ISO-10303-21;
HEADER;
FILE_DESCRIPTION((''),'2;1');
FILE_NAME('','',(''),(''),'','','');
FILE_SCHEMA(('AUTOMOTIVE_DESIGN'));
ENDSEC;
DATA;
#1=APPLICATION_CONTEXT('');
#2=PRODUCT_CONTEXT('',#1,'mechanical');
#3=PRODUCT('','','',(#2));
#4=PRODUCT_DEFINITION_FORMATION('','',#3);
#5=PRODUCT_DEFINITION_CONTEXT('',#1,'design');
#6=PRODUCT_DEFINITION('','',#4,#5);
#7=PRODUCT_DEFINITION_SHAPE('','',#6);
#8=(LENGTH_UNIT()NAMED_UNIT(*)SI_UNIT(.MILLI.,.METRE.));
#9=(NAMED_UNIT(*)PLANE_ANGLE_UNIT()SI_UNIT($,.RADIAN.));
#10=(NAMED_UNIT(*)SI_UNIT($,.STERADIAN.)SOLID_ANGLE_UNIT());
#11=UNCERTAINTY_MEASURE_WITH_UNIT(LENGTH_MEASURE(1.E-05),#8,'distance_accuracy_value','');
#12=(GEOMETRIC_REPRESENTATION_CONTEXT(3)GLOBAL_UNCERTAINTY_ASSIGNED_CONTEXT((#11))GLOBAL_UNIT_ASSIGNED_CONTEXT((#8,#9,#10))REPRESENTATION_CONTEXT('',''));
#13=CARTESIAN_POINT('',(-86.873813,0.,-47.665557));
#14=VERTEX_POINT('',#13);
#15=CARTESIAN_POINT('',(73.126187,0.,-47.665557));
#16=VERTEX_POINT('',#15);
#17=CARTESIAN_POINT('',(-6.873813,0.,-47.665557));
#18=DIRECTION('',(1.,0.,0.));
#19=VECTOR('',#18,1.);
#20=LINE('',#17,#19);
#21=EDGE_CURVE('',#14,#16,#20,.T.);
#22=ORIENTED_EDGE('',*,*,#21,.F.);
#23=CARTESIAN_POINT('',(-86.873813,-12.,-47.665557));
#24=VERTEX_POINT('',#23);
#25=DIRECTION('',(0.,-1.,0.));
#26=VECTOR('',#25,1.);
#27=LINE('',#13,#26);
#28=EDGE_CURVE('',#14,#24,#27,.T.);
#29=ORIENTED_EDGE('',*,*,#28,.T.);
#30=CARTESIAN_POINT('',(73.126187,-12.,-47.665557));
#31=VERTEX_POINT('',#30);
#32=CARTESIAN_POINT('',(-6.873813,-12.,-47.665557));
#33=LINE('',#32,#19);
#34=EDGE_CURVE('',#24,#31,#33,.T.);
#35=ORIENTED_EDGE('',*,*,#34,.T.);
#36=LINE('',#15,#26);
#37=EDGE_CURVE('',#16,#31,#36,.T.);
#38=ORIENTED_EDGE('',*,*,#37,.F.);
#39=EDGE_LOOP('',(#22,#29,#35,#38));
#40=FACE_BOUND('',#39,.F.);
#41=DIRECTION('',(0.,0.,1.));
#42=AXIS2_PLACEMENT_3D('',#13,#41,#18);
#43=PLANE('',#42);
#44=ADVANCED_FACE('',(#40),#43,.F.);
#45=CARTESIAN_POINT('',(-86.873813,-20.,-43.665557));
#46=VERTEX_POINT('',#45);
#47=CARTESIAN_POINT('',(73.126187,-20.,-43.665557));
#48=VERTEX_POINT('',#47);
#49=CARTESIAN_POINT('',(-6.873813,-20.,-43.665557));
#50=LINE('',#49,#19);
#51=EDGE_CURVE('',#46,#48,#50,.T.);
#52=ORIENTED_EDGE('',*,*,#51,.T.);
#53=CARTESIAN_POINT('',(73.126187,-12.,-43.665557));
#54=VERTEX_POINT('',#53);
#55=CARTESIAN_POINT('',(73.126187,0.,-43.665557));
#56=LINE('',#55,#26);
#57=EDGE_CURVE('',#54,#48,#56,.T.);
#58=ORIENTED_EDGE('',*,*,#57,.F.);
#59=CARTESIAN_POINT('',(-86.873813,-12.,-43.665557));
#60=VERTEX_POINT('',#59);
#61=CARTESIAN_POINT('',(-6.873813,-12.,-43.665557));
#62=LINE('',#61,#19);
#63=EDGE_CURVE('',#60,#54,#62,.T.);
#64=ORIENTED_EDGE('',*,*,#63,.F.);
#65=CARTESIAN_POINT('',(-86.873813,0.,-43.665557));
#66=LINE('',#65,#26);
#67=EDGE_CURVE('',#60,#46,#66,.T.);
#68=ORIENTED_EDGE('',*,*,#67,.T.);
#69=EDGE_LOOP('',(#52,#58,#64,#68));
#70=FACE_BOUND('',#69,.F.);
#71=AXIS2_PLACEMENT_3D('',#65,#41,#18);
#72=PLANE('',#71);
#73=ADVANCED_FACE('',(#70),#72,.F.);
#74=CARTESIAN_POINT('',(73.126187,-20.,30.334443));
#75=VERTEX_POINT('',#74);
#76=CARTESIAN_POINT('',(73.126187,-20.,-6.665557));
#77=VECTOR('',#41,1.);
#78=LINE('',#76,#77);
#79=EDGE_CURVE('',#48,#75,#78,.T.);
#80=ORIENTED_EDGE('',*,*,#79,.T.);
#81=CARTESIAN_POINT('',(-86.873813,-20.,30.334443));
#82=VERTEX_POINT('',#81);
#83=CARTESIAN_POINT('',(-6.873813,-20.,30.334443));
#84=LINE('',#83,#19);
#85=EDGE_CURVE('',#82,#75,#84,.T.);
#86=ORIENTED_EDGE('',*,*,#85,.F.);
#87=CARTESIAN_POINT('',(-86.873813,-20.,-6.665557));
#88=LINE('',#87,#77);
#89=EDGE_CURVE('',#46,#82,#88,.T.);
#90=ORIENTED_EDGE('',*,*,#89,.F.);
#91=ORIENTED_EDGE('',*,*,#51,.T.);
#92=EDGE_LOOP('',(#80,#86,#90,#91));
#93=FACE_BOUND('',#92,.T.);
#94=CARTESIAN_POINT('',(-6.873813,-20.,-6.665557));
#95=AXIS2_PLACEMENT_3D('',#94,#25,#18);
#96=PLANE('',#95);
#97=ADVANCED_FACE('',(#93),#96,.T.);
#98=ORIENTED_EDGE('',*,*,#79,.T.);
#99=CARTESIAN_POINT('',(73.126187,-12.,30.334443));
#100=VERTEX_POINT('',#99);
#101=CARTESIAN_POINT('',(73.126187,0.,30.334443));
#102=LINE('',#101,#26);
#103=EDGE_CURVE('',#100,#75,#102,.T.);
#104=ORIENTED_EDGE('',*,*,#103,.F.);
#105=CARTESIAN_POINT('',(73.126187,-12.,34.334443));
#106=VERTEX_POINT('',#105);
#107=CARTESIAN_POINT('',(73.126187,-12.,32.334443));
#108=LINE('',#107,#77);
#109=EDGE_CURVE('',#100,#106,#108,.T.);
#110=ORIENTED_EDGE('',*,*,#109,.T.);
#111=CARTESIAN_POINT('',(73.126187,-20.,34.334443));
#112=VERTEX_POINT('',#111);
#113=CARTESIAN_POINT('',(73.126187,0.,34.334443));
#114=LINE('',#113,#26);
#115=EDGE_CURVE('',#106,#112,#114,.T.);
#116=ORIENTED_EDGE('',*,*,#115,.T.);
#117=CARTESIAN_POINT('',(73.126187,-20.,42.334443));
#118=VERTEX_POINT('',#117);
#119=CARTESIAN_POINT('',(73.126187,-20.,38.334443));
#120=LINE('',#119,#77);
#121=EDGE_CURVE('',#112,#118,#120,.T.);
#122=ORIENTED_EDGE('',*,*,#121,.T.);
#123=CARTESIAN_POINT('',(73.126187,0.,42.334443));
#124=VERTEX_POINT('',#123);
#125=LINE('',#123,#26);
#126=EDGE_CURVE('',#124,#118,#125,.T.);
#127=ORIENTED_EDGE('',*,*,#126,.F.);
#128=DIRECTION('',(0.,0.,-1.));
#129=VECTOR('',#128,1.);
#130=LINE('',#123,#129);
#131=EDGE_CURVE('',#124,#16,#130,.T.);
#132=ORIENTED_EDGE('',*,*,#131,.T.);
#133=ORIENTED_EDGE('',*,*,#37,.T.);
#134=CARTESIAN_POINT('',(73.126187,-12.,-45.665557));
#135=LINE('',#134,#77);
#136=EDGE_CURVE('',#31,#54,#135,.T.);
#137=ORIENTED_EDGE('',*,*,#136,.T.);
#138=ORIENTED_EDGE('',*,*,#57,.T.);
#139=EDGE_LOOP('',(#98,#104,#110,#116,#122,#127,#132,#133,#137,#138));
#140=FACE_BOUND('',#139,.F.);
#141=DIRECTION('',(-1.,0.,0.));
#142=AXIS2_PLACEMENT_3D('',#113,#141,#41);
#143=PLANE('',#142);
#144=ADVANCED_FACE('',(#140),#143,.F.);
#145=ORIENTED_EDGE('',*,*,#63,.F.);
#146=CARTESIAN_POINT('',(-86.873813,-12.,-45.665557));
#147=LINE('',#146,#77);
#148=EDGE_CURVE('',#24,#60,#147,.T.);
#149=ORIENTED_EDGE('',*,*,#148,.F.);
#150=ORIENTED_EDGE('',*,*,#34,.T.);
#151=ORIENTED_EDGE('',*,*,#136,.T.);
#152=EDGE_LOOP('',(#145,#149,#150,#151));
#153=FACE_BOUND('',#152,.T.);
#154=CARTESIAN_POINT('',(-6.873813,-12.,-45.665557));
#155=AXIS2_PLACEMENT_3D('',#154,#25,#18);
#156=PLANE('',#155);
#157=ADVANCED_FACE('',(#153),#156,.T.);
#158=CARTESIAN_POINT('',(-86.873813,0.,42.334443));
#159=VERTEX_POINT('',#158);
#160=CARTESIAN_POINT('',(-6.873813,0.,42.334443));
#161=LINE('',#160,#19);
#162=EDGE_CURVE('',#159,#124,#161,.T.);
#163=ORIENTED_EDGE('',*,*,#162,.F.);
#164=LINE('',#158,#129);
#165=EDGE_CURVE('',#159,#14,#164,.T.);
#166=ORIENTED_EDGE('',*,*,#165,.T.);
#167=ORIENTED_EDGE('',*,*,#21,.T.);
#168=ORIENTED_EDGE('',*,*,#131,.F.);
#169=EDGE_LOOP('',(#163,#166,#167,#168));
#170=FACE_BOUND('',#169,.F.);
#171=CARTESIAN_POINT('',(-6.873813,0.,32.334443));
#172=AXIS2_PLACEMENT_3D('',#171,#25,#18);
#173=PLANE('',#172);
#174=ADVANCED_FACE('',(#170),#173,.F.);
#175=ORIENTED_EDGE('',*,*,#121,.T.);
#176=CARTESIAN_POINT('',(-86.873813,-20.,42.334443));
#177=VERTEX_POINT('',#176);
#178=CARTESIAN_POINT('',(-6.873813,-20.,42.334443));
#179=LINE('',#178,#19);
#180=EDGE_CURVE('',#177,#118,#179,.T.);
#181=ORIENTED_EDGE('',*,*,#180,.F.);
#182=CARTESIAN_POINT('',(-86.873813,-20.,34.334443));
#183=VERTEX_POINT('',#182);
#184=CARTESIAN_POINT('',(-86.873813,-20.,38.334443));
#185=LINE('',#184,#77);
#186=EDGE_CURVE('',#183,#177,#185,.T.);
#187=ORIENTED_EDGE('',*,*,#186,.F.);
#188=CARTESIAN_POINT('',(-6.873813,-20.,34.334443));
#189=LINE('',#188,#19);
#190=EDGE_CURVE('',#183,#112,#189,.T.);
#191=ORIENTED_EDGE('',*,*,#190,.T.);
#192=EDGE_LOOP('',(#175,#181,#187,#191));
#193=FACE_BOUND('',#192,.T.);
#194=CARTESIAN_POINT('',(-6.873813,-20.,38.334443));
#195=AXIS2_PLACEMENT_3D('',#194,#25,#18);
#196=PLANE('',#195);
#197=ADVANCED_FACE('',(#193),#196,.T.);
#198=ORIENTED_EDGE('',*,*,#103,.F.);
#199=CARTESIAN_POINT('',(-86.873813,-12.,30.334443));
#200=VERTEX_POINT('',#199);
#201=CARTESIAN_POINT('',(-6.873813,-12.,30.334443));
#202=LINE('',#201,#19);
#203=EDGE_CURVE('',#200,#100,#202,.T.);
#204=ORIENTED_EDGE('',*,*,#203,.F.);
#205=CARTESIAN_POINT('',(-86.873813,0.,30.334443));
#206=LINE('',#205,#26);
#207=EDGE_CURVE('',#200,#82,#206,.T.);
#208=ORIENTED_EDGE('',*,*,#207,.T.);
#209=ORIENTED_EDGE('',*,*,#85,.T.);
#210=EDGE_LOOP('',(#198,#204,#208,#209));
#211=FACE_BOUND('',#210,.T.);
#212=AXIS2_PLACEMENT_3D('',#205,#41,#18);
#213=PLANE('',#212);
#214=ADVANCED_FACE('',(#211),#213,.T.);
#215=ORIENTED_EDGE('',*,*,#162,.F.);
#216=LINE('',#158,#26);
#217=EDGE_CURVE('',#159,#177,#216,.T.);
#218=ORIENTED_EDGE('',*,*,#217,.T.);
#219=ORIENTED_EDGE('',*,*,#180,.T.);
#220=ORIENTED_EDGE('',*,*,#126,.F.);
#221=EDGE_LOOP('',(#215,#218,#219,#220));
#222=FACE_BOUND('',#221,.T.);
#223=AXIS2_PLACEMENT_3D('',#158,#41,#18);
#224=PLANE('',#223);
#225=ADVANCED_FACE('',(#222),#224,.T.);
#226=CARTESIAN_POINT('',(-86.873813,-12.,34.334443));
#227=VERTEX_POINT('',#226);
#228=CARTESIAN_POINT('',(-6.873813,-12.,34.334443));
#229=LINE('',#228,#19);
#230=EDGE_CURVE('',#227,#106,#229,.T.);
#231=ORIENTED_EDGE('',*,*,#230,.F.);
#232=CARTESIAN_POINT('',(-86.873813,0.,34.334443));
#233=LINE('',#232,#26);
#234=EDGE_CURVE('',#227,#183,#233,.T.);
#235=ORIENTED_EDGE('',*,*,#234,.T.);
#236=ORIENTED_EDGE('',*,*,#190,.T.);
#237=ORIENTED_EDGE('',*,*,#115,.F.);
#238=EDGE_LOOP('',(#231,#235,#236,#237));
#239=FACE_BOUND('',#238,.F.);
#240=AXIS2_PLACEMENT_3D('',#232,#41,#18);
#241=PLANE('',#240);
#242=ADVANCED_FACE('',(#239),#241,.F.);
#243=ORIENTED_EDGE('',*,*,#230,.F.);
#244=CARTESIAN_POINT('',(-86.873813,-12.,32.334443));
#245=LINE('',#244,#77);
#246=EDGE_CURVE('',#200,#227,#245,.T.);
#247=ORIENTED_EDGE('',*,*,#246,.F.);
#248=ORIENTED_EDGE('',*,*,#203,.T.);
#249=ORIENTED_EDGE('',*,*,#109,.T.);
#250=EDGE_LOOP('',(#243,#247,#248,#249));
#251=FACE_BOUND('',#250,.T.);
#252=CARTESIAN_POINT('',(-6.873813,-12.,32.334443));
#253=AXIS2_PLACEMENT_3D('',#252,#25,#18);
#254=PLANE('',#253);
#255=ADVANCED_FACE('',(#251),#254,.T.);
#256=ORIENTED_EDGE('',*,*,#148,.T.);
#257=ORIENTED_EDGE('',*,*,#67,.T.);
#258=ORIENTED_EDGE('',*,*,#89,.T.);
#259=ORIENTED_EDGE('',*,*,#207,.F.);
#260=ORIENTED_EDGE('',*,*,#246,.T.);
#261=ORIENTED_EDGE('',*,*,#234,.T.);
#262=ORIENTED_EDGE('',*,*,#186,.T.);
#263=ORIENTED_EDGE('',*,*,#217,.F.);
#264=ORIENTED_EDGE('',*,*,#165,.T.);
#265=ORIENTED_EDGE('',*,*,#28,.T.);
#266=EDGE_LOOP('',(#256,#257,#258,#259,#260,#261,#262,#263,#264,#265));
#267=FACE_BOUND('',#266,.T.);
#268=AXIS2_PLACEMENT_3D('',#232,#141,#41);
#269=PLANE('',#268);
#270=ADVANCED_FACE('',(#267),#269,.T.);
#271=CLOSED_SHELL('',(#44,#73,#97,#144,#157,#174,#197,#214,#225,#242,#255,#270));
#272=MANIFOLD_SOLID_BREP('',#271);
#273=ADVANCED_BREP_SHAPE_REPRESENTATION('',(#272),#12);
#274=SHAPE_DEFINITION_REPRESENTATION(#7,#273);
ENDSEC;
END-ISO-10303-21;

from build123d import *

# Parameters (mm, degrees)
F0_W     = 160
F0_H     = 74
F1_DEPTH = 20
F0_H_2   = 4
F2_DEPTH = 12
F3_DEPTH = 12
F0_H_3   = 8
F4_DEPTH = 20
F5_DEPTH = 12
F6_DEPTH = 12
F7_DEPTH = 12


with BuildPart() as f1:
    # F0 (on Front) → F1 (new body)
    with BuildSketch(Plane.XZ):
        with Locations((-6.873813, -6.665557)):
            Rectangle(F0_W, F0_H)
    extrude(amount=F1_DEPTH)

    # F0 (on Front) → F2 (join)
    with BuildSketch(Plane.XZ):
        with Locations((-6.873813, -45.665557)):
            Rectangle(F0_W, F0_H_2)
    extrude(amount=F2_DEPTH)

    # F0 (on Front) → F3 (join)
    with BuildSketch(Plane.XZ):
        with Locations((-6.873813, 32.334443)):
            Rectangle(F0_W, F0_H_2)
    extrude(amount=F3_DEPTH)

    # F0 (on Front) → F4 (join)
    with BuildSketch(Plane.XZ):
        with Locations((-6.873813, 38.334443)):
            Rectangle(F0_W, F0_H_3)
    extrude(amount=F4_DEPTH)

    # F0 (on Front) → F5 (join)
    with BuildSketch(Plane.XZ):
        with Locations((-6.873813, 32.334443)):
            Rectangle(F0_W, F0_H_2)
    extrude(amount=F5_DEPTH)

    # F0 (on Front) → F6 (join)
    with BuildSketch(Plane.XZ):
        with Locations((-6.873813, -45.665557)):
            Rectangle(F0_W, F0_H_2)
    extrude(amount=F6_DEPTH)

    # F0 (on Front) → F7 (join)
    with BuildSketch(Plane.XZ):
        with Locations((-6.873813, 32.334443)):
            Rectangle(F0_W, F0_H_2)
    extrude(amount=F7_DEPTH)


solid = f1.part
